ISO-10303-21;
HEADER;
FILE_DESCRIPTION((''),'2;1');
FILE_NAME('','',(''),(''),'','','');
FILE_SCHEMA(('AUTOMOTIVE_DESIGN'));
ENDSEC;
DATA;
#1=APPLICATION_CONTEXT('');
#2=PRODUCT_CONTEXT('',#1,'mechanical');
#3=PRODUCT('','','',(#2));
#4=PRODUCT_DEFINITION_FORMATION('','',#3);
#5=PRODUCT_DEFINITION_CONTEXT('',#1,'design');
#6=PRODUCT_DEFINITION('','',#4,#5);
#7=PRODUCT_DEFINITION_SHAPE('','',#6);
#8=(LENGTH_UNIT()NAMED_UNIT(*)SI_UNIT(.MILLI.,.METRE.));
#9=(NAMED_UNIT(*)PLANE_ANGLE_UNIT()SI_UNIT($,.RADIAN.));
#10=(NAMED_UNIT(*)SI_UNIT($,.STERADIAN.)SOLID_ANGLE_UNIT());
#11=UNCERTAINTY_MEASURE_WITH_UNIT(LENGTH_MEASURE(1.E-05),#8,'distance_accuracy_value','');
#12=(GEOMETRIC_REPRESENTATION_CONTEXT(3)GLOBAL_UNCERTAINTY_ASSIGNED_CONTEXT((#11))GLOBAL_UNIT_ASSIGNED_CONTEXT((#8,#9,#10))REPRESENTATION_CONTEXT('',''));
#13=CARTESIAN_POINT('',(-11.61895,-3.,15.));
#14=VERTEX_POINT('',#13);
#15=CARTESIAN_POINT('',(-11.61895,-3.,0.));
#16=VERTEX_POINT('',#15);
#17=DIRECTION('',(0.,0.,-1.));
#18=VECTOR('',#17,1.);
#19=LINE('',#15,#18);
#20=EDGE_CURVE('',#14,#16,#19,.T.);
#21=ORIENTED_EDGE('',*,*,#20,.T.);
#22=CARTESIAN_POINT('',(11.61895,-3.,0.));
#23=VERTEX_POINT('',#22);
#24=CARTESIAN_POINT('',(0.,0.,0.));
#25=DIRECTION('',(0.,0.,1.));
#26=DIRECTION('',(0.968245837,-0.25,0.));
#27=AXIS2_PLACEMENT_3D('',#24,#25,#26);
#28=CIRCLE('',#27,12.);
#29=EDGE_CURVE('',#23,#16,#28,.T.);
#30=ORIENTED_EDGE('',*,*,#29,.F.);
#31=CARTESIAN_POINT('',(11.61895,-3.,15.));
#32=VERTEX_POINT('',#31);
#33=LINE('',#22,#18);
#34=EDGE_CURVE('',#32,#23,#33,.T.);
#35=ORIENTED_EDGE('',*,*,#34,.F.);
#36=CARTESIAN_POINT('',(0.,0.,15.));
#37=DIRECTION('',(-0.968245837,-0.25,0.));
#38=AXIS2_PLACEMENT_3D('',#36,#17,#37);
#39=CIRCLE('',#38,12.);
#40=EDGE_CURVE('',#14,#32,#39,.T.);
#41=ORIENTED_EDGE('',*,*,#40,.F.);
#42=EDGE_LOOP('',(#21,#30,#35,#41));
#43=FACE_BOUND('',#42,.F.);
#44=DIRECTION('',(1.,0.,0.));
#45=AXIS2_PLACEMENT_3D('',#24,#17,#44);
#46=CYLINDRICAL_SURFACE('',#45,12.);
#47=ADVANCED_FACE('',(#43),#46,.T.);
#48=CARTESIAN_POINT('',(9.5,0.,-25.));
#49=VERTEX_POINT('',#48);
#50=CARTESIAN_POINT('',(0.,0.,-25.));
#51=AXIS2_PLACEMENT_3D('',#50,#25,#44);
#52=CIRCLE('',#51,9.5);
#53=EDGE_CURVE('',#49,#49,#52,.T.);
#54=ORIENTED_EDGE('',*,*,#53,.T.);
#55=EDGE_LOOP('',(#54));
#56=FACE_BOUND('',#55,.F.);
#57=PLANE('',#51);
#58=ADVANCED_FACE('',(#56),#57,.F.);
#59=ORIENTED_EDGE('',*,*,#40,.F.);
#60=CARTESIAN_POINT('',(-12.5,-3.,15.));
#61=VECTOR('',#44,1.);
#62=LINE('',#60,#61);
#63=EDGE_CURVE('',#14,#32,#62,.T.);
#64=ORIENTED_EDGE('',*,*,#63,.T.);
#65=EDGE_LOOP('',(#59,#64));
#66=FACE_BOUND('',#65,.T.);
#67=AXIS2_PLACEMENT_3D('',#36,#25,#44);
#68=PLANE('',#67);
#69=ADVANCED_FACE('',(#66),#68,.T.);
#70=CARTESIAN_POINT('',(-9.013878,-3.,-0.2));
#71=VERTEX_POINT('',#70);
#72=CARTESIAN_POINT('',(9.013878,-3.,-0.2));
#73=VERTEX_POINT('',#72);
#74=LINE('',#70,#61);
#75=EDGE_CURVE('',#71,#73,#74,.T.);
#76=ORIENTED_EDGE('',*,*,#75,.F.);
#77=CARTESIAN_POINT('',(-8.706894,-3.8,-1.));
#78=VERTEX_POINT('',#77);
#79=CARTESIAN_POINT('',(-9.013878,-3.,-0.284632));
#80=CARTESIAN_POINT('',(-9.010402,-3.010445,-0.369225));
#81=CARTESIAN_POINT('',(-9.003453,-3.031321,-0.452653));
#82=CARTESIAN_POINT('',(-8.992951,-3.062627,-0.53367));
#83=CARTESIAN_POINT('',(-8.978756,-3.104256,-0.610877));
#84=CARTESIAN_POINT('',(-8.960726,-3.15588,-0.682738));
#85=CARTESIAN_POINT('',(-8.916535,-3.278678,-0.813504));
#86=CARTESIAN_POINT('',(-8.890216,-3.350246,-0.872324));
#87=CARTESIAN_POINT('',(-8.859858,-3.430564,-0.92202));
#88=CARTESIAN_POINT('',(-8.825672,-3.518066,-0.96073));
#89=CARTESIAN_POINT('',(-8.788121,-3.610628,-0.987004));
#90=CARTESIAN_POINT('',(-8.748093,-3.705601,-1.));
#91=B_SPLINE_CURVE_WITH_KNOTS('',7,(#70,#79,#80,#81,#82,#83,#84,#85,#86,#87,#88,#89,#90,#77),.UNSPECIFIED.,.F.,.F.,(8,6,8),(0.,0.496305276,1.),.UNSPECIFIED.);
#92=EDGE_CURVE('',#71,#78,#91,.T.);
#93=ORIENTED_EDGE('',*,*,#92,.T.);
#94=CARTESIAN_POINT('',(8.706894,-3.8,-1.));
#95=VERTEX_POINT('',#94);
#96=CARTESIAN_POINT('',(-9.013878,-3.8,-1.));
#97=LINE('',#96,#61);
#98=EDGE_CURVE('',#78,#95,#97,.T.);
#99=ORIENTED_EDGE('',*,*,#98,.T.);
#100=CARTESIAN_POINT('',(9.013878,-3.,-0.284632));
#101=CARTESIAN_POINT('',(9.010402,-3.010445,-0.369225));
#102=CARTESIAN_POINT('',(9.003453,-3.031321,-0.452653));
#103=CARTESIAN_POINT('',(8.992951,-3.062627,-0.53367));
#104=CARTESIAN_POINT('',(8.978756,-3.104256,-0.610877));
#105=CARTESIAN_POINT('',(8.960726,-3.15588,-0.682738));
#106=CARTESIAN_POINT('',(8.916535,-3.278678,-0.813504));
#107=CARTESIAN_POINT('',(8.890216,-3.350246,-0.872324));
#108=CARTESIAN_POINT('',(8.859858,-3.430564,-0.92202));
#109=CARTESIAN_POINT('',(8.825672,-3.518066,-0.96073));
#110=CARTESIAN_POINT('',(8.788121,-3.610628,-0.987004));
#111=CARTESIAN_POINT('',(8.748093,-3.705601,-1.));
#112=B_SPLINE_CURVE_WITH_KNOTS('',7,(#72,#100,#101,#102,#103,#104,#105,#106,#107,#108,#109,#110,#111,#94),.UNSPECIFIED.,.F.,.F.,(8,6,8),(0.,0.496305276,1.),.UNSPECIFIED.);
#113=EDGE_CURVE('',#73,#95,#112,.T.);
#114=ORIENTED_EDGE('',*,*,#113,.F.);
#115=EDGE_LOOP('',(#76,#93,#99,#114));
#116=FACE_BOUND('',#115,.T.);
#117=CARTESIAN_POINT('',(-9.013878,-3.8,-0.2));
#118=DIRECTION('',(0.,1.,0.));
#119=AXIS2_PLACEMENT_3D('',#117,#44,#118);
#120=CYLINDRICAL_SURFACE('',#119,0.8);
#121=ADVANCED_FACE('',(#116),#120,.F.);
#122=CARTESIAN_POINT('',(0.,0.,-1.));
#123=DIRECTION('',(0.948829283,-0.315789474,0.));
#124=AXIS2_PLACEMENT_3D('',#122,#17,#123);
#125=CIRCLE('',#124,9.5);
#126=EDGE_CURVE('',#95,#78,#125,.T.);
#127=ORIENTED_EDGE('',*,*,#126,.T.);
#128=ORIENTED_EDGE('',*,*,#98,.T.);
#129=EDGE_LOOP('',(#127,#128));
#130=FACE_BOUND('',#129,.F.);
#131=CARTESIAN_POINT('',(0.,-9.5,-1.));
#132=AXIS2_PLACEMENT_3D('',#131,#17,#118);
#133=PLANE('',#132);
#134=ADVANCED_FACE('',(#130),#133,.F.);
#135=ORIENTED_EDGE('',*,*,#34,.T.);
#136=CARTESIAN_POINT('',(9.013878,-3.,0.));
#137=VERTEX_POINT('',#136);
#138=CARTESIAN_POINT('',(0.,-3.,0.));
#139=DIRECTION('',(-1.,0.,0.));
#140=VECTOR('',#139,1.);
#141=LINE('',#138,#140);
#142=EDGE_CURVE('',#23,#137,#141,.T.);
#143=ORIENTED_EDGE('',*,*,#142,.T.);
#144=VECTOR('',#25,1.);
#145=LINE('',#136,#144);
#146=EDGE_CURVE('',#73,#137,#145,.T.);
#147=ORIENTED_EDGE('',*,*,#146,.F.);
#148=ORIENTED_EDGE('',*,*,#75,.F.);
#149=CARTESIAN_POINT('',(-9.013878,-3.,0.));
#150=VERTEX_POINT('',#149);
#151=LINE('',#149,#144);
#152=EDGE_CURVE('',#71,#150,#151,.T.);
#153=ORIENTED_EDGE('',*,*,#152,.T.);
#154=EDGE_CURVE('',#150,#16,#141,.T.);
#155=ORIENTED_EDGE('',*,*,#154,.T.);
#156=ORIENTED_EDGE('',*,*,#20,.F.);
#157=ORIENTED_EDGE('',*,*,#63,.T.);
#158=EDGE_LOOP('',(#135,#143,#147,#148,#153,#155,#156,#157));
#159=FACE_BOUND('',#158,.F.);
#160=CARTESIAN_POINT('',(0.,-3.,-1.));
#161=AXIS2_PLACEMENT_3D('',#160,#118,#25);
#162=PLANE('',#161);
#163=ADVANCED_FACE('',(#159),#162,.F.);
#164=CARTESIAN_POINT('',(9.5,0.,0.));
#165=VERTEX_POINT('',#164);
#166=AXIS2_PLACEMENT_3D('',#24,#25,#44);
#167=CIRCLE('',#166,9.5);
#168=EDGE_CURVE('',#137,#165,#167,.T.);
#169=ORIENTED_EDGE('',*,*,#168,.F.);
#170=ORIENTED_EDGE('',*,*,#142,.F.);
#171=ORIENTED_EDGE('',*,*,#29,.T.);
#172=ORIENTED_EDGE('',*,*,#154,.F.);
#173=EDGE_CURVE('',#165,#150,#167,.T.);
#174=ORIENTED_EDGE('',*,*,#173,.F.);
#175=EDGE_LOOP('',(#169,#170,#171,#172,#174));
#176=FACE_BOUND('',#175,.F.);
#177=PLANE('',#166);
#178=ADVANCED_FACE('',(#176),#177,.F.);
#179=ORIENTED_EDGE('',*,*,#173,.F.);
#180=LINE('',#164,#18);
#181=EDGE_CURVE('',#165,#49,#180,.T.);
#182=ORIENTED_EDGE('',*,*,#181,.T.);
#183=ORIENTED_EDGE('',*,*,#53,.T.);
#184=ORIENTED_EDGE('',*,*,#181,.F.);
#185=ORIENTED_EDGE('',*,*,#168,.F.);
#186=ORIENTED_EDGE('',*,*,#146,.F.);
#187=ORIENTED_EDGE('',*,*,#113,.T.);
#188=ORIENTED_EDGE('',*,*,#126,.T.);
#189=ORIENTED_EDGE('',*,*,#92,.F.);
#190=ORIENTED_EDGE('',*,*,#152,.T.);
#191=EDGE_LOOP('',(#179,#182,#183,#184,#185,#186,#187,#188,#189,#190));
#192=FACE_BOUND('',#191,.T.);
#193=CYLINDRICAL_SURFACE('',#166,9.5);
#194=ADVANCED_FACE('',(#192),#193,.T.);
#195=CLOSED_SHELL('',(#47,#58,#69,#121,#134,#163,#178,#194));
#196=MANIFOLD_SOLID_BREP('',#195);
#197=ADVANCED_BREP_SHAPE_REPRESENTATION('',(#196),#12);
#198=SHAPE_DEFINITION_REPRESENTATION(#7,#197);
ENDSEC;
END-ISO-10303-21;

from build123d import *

# Parameters (mm, degrees)
F0_R     = 9.5
F1_DEPTH = 25
F2_R     = 12
F2_R_2   = 9.5
F3_DEPTH = 15
F7_DEPTH = 12.5
F8_R     = 0.8


with BuildPart() as f1:
    # F0 (on Top) → F1 (new body)
    with BuildSketch(Plane.XY):
        Circle(F0_R)
    extrude(amount=-F1_DEPTH)

    # F2 (on face) → F3 (join)
    with BuildSketch(Plane.XY):
        Circle(F2_R)
        Circle(F2_R_2, mode=Mode.SUBTRACT)
        Circle(F2_R_2)
    extrude(amount=F3_DEPTH)

    # F6 (on Right) → F7 (cut, symmetric)
    with BuildSketch(Plane.YZ):
        Polygon((-9.5, -1), (-3, -1), (-3, 15), (-12, 15), (-12, 0), (-9.5, 0), align=None)
    extrude(amount=F7_DEPTH, both=True, mode=Mode.SUBTRACT)

    # F8
    f8_edges = [f1.edges().sort_by_distance(p)[0] for p in [
        (0, -3, -1),
    ]]
    fillet(f8_edges, radius=F8_R)


solid = f1.part
